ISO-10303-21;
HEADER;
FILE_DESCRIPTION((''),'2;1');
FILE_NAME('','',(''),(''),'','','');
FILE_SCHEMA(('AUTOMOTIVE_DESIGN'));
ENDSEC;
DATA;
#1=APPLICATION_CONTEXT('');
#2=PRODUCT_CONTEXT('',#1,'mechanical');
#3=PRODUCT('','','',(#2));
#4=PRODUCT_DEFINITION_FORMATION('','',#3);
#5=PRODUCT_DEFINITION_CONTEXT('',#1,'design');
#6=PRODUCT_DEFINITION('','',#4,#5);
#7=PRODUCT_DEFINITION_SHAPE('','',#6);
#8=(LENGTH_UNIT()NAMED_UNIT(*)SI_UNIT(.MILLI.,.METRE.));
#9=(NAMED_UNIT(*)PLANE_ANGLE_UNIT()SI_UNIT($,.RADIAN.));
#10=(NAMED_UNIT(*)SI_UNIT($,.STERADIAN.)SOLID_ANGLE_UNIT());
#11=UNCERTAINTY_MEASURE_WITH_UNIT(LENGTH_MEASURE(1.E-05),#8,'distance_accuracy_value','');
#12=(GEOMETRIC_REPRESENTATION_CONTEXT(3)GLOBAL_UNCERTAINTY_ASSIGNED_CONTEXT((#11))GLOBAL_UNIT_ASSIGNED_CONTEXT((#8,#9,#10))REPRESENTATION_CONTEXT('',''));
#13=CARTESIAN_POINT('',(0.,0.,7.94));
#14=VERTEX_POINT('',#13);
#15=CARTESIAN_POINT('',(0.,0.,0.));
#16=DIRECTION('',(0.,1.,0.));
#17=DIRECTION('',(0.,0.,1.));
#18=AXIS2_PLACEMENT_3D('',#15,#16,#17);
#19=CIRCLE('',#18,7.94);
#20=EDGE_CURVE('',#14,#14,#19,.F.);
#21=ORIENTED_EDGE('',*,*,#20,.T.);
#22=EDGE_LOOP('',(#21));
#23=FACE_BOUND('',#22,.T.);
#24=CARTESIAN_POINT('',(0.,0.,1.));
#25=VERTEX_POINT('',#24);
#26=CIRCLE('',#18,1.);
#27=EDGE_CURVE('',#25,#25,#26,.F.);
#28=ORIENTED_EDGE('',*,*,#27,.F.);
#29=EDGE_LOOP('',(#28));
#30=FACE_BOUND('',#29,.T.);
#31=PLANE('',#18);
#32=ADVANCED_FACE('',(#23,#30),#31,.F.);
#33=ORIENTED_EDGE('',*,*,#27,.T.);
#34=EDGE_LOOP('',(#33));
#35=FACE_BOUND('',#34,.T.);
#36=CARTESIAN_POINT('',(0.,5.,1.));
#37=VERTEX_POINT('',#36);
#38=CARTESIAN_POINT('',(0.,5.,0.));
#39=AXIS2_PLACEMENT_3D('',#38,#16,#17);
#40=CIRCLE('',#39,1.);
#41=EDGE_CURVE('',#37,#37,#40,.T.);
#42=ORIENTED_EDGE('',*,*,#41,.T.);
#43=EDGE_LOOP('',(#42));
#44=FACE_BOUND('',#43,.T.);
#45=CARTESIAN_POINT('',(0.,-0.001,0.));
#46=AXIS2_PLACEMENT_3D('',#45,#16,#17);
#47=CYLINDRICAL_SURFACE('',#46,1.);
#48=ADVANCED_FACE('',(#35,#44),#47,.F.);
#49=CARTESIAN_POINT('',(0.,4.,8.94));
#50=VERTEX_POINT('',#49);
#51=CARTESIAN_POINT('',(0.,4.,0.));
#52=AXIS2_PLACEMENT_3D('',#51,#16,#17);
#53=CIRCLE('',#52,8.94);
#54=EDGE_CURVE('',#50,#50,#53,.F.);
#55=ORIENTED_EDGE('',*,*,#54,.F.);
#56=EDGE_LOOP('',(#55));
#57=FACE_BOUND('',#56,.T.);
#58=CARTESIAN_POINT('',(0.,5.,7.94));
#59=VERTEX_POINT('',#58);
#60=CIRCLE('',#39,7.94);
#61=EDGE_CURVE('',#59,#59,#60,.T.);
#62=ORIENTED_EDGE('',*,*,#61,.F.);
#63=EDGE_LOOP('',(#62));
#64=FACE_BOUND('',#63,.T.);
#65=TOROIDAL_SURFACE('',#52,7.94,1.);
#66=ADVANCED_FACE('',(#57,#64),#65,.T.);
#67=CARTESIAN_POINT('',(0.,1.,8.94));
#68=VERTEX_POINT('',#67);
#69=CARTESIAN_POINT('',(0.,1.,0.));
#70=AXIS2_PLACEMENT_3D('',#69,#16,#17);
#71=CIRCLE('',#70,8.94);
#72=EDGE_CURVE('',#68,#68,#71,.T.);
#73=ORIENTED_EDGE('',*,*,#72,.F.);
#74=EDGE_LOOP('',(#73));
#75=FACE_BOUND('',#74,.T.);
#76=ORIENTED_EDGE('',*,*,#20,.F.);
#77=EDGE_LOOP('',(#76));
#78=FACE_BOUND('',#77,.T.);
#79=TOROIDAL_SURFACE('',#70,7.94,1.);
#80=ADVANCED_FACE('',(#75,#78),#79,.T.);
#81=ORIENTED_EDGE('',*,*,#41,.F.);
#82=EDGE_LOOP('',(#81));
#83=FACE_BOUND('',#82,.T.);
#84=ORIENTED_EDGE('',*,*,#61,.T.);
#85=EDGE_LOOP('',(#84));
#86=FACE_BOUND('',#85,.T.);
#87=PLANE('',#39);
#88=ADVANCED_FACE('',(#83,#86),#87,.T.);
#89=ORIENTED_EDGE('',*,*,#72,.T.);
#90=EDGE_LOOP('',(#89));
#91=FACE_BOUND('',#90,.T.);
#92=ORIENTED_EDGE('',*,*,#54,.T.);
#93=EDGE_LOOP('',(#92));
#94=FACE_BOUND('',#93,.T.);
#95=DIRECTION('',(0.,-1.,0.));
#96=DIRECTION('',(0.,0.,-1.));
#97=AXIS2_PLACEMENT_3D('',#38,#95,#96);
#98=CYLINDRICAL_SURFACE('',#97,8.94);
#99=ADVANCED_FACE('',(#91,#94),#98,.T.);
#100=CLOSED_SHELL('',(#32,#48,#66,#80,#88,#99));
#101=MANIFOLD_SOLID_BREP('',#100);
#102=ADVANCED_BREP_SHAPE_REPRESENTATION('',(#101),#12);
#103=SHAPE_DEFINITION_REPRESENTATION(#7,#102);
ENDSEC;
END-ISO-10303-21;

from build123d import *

# Parameters (mm, degrees)
SKETCH1_R           = 8.94
BOSS_EXTRUDE1_DEPTH = 5
FILLET1_R           = 1
CUT_EXTRUDE1_REACH  = 15.596
SKETCH2_R           = 1


with BuildPart() as part:
    # Sketch1 → Boss-Extrude1 (new body)
    with BuildSketch(Plane(origin=(0, 0, 0), x_dir=(1, 0, 0), z_dir=(0, 1, 0))):
        with Locations(Location((0, 0, 0), (0, 0, 270))):
            Circle(SKETCH1_R)
    extrude(amount=BOSS_EXTRUDE1_DEPTH)

    # Fillet1
    fillet1_edges = [part.edges().sort_by_distance(p)[0] for p in [
        (0, 0, -8.94),
        (0, 5, -8.94),
    ]]
    fillet(fillet1_edges, radius=FILLET1_R)

    # Sketch2 → Cut-Extrude1 (cut, up to next)
    with BuildSketch(Plane(origin=(0, 5, 0), x_dir=(1, 0, 0), z_dir=(0, 1, 0)), mode=Mode.PRIVATE) as cut_extrude1_sk1:
        with Locations(Location((0, 0, 0), (0, 0, 270))):
            Circle(SKETCH2_R)
    cut_extrude1_tool1 = extrude(cut_extrude1_sk1.sketch, amount=-CUT_EXTRUDE1_REACH, mode=Mode.PRIVATE) & part.part
    add(cut_extrude1_tool1.solids().sort_by_distance((0, 5, 0))[0], mode=Mode.SUBTRACT)


solid = part.part
